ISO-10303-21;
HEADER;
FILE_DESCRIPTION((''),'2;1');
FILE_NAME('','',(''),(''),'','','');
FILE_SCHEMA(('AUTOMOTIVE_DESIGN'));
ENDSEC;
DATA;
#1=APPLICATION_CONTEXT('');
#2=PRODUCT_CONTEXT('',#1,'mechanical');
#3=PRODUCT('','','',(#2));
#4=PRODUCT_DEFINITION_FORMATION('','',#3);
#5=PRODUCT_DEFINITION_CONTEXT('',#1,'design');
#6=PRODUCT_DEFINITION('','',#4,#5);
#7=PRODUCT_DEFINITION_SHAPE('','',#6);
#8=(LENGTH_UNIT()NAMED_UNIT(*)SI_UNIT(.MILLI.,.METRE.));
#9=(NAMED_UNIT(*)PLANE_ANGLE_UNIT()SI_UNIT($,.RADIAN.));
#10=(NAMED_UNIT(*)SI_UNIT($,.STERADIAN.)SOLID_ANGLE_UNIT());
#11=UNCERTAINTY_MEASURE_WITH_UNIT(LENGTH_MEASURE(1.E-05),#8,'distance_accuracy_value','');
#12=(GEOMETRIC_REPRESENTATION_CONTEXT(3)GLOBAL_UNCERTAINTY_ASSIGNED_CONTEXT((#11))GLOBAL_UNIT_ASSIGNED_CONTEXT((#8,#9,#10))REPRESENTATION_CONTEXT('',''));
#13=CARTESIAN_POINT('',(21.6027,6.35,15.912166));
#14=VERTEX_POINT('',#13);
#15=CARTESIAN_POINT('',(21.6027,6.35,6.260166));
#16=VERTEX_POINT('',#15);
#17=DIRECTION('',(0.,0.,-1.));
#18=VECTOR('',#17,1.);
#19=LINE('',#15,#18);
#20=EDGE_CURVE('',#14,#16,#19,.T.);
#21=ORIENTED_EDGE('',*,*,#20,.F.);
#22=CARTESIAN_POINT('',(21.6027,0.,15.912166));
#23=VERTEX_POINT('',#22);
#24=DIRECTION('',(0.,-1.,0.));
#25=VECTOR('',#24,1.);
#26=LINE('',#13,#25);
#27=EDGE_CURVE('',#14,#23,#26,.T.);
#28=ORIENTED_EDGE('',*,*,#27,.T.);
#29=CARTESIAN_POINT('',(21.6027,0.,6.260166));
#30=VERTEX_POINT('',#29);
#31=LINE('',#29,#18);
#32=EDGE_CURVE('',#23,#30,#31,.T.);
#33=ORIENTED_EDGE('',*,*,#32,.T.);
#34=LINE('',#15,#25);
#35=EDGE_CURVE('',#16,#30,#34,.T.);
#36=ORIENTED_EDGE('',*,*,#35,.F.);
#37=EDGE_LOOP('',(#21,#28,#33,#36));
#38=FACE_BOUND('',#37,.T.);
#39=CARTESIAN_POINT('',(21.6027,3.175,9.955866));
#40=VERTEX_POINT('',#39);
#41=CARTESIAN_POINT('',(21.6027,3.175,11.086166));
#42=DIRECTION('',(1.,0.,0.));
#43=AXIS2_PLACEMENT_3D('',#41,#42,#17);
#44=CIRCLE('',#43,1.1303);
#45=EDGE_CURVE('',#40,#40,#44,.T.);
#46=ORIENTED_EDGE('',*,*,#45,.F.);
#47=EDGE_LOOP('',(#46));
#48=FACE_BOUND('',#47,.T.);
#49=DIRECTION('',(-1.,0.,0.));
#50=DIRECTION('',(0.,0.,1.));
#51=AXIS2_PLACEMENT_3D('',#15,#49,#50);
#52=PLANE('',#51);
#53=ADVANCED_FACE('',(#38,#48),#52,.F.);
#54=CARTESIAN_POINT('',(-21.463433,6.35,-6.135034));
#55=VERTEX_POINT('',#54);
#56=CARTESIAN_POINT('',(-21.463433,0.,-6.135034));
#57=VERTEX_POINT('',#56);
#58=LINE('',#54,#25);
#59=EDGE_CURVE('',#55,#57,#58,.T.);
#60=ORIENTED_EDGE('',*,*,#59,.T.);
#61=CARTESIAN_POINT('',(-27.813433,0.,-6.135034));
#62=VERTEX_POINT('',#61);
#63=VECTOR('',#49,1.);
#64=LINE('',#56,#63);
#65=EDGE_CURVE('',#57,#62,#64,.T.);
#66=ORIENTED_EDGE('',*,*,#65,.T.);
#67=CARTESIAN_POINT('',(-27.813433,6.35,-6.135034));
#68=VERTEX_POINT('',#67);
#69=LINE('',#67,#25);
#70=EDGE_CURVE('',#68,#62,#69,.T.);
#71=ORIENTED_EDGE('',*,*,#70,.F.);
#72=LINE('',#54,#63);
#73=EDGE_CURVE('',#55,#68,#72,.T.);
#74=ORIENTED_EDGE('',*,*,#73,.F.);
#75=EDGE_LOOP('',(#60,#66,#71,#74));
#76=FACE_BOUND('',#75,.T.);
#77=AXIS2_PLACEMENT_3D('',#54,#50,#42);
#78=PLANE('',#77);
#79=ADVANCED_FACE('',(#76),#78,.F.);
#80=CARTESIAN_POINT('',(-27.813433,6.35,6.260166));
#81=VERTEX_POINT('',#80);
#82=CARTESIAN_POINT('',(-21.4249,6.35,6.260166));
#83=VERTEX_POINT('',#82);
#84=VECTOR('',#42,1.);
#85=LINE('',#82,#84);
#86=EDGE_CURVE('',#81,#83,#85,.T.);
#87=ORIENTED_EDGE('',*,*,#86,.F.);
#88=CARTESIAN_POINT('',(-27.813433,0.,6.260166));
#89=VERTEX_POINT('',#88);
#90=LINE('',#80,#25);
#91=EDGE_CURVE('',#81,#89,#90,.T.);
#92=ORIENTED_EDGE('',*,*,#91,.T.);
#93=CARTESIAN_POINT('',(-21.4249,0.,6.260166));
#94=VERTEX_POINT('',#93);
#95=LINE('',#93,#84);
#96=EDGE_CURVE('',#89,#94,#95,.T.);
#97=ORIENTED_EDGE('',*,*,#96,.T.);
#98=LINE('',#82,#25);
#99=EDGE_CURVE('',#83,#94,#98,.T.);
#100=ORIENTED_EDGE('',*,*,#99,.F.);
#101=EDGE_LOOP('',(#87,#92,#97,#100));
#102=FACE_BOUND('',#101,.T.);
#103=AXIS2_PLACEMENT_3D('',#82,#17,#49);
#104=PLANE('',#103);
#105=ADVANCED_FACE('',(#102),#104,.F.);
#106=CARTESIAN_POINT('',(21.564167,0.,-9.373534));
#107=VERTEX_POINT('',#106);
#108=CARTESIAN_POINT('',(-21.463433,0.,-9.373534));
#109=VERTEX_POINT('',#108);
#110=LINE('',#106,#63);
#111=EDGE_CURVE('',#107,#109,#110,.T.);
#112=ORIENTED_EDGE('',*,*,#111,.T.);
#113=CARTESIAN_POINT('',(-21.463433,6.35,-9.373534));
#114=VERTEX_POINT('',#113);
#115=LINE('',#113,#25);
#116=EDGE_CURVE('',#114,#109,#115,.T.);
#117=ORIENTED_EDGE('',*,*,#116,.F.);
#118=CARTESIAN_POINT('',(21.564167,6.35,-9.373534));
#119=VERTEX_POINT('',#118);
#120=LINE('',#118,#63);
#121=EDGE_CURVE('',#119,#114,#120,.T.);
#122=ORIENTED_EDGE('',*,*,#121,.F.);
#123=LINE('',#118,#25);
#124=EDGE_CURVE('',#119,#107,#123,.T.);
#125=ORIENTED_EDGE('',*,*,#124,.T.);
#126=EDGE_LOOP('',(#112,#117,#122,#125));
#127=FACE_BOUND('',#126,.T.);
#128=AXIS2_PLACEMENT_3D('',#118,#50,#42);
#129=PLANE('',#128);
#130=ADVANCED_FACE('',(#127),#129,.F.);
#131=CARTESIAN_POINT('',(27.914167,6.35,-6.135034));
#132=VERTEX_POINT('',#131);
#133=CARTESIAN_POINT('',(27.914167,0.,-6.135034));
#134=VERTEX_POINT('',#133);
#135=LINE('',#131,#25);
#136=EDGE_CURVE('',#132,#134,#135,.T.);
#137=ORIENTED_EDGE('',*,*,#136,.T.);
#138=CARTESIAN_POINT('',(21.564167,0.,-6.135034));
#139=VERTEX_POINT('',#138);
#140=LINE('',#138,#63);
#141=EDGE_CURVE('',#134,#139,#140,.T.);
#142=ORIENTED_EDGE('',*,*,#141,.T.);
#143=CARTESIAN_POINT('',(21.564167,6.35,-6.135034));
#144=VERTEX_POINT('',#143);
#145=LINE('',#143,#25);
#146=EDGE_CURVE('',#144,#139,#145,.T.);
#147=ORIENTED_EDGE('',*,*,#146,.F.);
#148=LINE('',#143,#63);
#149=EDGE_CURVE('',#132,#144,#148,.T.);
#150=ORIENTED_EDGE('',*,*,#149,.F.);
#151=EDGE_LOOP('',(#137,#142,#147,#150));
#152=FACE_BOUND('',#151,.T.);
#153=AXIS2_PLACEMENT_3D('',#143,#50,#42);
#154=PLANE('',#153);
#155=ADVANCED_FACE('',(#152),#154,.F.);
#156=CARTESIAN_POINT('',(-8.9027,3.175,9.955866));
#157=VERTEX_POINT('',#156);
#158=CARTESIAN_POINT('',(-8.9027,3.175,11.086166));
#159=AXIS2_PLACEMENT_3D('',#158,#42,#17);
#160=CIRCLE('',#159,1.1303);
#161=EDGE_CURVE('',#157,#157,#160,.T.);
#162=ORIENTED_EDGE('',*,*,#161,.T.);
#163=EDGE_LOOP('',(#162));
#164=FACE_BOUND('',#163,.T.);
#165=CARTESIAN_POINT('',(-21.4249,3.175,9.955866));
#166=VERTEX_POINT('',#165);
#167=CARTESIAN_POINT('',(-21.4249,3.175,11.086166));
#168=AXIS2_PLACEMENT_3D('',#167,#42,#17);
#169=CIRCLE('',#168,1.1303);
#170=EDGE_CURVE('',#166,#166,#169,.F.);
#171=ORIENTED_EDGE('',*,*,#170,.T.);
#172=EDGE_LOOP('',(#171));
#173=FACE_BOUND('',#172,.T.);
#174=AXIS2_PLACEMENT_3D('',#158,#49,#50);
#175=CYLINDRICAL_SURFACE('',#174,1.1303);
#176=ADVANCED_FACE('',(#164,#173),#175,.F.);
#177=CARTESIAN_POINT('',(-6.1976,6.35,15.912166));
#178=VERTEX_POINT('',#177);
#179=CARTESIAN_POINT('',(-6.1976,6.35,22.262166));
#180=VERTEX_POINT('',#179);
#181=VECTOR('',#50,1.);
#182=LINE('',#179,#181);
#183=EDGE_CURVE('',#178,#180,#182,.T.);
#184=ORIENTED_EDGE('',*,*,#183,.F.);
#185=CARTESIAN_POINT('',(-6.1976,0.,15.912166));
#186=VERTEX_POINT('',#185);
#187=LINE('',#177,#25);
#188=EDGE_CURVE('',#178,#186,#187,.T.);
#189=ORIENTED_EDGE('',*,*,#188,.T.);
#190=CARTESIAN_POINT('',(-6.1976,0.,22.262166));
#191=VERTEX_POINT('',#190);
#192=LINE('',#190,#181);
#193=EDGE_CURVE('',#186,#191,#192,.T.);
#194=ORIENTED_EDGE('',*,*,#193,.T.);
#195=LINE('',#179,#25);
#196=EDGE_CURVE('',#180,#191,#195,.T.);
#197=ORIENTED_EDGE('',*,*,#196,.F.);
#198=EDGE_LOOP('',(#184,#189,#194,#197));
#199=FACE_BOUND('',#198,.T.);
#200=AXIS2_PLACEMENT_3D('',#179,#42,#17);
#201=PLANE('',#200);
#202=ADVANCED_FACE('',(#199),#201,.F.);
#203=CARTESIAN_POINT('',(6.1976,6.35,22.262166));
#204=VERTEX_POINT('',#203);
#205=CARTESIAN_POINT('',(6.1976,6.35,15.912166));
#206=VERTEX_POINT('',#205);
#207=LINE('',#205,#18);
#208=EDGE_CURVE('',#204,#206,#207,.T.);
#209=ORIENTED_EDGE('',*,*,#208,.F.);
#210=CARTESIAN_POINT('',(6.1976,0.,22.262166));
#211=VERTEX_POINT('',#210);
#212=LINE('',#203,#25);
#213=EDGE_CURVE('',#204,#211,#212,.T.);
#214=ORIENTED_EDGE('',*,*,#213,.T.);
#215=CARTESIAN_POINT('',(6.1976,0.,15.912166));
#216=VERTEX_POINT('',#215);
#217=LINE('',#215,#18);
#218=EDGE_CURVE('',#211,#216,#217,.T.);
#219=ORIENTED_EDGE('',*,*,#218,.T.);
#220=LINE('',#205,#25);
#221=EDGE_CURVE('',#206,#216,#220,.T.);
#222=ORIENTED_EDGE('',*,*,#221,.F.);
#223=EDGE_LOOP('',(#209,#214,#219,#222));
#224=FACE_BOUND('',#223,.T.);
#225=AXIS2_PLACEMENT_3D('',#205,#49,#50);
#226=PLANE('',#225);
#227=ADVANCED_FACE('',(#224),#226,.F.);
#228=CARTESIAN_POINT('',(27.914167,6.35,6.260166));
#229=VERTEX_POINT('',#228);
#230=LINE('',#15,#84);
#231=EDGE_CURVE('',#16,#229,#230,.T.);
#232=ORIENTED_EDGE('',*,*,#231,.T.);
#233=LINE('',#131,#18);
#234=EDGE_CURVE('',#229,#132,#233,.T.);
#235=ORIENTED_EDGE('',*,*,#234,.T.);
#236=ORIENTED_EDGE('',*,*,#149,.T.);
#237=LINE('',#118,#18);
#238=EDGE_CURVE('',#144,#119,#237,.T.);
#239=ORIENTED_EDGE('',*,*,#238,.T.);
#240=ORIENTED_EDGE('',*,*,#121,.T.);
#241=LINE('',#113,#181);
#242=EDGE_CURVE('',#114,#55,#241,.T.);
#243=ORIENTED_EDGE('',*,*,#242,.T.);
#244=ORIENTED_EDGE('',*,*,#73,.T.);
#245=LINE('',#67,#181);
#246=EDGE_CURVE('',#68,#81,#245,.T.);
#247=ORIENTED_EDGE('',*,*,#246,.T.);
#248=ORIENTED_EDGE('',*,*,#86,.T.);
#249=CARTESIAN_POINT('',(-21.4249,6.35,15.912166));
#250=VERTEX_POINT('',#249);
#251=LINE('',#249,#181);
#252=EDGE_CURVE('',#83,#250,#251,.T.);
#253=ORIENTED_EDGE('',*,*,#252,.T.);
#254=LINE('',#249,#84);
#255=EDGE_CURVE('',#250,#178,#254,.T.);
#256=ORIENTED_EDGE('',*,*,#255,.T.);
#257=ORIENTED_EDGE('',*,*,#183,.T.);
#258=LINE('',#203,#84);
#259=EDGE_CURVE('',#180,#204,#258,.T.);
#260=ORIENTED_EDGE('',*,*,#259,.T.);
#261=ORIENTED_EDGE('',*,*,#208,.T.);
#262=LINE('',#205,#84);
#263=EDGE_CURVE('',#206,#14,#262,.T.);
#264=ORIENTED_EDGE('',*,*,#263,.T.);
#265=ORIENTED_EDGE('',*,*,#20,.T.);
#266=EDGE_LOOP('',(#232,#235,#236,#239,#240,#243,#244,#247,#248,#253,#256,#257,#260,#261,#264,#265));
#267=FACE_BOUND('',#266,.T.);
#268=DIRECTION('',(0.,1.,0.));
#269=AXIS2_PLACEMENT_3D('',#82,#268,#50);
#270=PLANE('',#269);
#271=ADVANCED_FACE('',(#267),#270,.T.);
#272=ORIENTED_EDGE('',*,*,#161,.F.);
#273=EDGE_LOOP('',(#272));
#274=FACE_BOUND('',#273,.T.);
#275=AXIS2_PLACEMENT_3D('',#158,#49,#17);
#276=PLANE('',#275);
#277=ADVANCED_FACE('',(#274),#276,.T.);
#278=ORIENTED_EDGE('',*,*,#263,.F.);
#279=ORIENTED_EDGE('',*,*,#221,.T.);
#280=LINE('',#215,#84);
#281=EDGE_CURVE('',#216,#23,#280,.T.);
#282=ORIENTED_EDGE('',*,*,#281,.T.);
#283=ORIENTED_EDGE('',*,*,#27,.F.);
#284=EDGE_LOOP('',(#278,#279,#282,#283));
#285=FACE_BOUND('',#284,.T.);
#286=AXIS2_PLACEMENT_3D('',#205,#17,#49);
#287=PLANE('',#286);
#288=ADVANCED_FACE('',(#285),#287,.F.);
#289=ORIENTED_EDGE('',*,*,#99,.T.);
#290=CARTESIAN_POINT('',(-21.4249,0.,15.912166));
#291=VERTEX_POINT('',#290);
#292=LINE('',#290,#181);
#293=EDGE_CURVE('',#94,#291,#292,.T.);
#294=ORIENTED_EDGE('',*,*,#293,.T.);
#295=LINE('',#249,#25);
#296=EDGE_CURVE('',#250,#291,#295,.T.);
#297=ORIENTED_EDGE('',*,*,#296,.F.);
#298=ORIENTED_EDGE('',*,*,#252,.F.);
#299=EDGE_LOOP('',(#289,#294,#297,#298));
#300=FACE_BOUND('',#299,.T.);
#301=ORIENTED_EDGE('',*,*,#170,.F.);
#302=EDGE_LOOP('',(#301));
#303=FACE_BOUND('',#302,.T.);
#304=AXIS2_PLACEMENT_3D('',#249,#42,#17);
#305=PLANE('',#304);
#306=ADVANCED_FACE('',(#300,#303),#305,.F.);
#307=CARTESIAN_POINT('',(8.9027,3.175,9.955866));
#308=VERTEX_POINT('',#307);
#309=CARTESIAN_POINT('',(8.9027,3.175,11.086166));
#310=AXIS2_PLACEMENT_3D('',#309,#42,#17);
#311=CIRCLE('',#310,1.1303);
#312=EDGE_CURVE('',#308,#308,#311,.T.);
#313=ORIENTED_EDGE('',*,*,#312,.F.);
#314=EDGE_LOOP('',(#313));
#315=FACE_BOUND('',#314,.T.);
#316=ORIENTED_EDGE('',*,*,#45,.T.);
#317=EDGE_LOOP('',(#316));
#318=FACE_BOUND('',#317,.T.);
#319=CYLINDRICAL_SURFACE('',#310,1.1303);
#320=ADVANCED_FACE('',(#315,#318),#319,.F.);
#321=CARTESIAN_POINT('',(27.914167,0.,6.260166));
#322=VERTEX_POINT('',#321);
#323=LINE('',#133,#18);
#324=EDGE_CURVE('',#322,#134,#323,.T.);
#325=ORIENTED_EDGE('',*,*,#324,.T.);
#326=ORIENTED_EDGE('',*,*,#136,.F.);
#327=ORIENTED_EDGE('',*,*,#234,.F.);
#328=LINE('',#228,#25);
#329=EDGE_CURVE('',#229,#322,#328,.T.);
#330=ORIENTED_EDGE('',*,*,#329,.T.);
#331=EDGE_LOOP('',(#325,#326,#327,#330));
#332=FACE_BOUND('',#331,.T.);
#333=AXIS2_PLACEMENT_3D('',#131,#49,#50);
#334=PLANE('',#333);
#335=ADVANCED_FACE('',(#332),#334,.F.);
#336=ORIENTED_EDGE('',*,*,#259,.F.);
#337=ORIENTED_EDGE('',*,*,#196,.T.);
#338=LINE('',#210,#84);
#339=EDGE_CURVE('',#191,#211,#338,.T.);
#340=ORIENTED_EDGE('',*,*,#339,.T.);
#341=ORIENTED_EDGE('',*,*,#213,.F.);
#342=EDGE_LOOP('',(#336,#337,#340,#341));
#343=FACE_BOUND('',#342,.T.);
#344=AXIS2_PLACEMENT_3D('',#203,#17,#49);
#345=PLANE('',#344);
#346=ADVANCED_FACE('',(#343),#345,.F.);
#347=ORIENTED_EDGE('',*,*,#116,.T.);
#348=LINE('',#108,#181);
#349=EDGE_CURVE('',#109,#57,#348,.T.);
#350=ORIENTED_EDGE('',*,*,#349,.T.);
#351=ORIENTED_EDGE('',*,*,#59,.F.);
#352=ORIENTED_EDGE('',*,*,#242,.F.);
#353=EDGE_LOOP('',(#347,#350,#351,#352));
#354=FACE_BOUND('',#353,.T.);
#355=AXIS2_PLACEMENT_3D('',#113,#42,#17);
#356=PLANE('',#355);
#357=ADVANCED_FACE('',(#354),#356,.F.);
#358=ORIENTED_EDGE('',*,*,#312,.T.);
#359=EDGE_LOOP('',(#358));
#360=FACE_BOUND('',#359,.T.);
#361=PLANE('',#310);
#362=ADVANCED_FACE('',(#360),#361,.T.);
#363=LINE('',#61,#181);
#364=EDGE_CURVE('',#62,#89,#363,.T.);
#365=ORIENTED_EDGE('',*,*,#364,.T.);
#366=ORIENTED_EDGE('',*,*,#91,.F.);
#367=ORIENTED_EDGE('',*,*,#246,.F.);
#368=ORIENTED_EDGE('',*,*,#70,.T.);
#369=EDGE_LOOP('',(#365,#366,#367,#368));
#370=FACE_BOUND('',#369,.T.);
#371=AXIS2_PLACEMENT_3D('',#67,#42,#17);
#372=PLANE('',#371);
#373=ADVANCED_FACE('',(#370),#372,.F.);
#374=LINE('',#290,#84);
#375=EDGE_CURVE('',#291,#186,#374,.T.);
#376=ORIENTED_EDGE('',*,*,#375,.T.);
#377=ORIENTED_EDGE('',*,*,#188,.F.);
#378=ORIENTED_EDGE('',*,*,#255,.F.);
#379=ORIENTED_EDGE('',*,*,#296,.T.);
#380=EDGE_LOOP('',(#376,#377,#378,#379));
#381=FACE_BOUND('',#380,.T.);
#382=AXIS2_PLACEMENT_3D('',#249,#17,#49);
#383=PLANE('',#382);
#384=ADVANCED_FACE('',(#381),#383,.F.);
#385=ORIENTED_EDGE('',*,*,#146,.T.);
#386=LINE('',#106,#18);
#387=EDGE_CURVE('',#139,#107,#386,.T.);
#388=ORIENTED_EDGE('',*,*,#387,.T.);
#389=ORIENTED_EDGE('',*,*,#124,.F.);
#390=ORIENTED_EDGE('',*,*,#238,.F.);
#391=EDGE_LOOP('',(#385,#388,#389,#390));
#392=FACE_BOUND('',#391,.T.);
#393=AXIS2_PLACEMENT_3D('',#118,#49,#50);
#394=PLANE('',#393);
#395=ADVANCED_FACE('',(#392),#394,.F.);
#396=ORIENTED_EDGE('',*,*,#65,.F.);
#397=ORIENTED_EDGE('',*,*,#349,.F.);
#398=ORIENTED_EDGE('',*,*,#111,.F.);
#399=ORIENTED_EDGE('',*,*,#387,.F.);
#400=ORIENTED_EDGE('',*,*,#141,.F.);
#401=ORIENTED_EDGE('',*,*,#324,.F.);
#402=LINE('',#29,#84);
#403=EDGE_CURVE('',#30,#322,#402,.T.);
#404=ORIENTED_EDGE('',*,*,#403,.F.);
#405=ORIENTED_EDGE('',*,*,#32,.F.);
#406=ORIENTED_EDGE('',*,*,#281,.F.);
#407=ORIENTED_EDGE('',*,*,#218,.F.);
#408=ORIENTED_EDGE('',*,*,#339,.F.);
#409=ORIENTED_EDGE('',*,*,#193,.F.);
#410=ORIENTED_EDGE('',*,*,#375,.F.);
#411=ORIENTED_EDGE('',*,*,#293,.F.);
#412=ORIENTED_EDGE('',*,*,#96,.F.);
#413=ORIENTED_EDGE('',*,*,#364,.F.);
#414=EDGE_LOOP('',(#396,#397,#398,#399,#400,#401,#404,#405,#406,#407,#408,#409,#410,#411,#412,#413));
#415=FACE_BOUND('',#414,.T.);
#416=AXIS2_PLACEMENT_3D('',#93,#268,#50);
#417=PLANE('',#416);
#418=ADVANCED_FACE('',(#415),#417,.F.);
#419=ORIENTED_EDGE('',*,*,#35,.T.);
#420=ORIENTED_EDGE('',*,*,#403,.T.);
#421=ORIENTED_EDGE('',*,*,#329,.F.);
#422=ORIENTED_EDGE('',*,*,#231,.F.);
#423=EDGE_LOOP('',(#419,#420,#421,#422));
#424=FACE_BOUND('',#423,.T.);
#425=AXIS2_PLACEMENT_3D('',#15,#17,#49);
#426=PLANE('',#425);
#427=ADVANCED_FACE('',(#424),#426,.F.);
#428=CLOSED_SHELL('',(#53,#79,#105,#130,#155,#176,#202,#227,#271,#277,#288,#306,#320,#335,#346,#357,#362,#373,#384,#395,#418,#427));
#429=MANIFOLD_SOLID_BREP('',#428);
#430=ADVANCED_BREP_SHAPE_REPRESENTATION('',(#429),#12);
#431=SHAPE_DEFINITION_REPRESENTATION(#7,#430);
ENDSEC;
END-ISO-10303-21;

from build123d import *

# Parameters (mm, degrees)
BOSS_EXTRUDE1_DEPTH = 6.35
SKETCH3_R           = 1.1303
CUT_EXTRUDE1_DEPTH  = 12.7


with BuildPart() as part:
    # Sketch2 → Boss-Extrude1 (new body)
    with BuildSketch(Plane(origin=(0, 0, 0), x_dir=(1, 0, 0), z_dir=(0, 1, 0))):
        Polygon((-21.4249, -15.91216588), (-6.1976, -15.91216588), (-6.1976, -22.26216588), (6.1976, -22.26216588), (6.1976, -15.91216588), (21.6027, -15.91216588), (21.6027, -6.26016588), (27.914167201, -6.26016588), (27.914167201, 6.13503412), (21.564167201, 6.13503412), (21.564167201, 9.37353412), (-21.463432799, 9.37353412), (-21.463432799, 6.13503412), (-27.813432799, 6.13503412), (-27.813432799, -6.26016588), (-21.4249, -6.26016588), align=None)
    extrude(amount=BOSS_EXTRUDE1_DEPTH)

    # Sketch3 → Cut-Extrude1 (cut)
    with BuildSketch(Plane(origin=(21.6027, 0, 0), x_dir=(0, 0, -1), z_dir=(1, 0, 0))):
        with Locations((-11.08616588, 3.175)):
            Circle(SKETCH3_R)
    cut_extrude1 = extrude(amount=-CUT_EXTRUDE1_DEPTH, mode=Mode.SUBTRACT)

    # Mirror1: Cut-Extrude1 across plane
    add(cut_extrude1.mirror(Plane(origin=(0, 0, 0), x_dir=(0, 0, 1), z_dir=(1, 0, 0))), mode=Mode.SUBTRACT)


solid = part.part
